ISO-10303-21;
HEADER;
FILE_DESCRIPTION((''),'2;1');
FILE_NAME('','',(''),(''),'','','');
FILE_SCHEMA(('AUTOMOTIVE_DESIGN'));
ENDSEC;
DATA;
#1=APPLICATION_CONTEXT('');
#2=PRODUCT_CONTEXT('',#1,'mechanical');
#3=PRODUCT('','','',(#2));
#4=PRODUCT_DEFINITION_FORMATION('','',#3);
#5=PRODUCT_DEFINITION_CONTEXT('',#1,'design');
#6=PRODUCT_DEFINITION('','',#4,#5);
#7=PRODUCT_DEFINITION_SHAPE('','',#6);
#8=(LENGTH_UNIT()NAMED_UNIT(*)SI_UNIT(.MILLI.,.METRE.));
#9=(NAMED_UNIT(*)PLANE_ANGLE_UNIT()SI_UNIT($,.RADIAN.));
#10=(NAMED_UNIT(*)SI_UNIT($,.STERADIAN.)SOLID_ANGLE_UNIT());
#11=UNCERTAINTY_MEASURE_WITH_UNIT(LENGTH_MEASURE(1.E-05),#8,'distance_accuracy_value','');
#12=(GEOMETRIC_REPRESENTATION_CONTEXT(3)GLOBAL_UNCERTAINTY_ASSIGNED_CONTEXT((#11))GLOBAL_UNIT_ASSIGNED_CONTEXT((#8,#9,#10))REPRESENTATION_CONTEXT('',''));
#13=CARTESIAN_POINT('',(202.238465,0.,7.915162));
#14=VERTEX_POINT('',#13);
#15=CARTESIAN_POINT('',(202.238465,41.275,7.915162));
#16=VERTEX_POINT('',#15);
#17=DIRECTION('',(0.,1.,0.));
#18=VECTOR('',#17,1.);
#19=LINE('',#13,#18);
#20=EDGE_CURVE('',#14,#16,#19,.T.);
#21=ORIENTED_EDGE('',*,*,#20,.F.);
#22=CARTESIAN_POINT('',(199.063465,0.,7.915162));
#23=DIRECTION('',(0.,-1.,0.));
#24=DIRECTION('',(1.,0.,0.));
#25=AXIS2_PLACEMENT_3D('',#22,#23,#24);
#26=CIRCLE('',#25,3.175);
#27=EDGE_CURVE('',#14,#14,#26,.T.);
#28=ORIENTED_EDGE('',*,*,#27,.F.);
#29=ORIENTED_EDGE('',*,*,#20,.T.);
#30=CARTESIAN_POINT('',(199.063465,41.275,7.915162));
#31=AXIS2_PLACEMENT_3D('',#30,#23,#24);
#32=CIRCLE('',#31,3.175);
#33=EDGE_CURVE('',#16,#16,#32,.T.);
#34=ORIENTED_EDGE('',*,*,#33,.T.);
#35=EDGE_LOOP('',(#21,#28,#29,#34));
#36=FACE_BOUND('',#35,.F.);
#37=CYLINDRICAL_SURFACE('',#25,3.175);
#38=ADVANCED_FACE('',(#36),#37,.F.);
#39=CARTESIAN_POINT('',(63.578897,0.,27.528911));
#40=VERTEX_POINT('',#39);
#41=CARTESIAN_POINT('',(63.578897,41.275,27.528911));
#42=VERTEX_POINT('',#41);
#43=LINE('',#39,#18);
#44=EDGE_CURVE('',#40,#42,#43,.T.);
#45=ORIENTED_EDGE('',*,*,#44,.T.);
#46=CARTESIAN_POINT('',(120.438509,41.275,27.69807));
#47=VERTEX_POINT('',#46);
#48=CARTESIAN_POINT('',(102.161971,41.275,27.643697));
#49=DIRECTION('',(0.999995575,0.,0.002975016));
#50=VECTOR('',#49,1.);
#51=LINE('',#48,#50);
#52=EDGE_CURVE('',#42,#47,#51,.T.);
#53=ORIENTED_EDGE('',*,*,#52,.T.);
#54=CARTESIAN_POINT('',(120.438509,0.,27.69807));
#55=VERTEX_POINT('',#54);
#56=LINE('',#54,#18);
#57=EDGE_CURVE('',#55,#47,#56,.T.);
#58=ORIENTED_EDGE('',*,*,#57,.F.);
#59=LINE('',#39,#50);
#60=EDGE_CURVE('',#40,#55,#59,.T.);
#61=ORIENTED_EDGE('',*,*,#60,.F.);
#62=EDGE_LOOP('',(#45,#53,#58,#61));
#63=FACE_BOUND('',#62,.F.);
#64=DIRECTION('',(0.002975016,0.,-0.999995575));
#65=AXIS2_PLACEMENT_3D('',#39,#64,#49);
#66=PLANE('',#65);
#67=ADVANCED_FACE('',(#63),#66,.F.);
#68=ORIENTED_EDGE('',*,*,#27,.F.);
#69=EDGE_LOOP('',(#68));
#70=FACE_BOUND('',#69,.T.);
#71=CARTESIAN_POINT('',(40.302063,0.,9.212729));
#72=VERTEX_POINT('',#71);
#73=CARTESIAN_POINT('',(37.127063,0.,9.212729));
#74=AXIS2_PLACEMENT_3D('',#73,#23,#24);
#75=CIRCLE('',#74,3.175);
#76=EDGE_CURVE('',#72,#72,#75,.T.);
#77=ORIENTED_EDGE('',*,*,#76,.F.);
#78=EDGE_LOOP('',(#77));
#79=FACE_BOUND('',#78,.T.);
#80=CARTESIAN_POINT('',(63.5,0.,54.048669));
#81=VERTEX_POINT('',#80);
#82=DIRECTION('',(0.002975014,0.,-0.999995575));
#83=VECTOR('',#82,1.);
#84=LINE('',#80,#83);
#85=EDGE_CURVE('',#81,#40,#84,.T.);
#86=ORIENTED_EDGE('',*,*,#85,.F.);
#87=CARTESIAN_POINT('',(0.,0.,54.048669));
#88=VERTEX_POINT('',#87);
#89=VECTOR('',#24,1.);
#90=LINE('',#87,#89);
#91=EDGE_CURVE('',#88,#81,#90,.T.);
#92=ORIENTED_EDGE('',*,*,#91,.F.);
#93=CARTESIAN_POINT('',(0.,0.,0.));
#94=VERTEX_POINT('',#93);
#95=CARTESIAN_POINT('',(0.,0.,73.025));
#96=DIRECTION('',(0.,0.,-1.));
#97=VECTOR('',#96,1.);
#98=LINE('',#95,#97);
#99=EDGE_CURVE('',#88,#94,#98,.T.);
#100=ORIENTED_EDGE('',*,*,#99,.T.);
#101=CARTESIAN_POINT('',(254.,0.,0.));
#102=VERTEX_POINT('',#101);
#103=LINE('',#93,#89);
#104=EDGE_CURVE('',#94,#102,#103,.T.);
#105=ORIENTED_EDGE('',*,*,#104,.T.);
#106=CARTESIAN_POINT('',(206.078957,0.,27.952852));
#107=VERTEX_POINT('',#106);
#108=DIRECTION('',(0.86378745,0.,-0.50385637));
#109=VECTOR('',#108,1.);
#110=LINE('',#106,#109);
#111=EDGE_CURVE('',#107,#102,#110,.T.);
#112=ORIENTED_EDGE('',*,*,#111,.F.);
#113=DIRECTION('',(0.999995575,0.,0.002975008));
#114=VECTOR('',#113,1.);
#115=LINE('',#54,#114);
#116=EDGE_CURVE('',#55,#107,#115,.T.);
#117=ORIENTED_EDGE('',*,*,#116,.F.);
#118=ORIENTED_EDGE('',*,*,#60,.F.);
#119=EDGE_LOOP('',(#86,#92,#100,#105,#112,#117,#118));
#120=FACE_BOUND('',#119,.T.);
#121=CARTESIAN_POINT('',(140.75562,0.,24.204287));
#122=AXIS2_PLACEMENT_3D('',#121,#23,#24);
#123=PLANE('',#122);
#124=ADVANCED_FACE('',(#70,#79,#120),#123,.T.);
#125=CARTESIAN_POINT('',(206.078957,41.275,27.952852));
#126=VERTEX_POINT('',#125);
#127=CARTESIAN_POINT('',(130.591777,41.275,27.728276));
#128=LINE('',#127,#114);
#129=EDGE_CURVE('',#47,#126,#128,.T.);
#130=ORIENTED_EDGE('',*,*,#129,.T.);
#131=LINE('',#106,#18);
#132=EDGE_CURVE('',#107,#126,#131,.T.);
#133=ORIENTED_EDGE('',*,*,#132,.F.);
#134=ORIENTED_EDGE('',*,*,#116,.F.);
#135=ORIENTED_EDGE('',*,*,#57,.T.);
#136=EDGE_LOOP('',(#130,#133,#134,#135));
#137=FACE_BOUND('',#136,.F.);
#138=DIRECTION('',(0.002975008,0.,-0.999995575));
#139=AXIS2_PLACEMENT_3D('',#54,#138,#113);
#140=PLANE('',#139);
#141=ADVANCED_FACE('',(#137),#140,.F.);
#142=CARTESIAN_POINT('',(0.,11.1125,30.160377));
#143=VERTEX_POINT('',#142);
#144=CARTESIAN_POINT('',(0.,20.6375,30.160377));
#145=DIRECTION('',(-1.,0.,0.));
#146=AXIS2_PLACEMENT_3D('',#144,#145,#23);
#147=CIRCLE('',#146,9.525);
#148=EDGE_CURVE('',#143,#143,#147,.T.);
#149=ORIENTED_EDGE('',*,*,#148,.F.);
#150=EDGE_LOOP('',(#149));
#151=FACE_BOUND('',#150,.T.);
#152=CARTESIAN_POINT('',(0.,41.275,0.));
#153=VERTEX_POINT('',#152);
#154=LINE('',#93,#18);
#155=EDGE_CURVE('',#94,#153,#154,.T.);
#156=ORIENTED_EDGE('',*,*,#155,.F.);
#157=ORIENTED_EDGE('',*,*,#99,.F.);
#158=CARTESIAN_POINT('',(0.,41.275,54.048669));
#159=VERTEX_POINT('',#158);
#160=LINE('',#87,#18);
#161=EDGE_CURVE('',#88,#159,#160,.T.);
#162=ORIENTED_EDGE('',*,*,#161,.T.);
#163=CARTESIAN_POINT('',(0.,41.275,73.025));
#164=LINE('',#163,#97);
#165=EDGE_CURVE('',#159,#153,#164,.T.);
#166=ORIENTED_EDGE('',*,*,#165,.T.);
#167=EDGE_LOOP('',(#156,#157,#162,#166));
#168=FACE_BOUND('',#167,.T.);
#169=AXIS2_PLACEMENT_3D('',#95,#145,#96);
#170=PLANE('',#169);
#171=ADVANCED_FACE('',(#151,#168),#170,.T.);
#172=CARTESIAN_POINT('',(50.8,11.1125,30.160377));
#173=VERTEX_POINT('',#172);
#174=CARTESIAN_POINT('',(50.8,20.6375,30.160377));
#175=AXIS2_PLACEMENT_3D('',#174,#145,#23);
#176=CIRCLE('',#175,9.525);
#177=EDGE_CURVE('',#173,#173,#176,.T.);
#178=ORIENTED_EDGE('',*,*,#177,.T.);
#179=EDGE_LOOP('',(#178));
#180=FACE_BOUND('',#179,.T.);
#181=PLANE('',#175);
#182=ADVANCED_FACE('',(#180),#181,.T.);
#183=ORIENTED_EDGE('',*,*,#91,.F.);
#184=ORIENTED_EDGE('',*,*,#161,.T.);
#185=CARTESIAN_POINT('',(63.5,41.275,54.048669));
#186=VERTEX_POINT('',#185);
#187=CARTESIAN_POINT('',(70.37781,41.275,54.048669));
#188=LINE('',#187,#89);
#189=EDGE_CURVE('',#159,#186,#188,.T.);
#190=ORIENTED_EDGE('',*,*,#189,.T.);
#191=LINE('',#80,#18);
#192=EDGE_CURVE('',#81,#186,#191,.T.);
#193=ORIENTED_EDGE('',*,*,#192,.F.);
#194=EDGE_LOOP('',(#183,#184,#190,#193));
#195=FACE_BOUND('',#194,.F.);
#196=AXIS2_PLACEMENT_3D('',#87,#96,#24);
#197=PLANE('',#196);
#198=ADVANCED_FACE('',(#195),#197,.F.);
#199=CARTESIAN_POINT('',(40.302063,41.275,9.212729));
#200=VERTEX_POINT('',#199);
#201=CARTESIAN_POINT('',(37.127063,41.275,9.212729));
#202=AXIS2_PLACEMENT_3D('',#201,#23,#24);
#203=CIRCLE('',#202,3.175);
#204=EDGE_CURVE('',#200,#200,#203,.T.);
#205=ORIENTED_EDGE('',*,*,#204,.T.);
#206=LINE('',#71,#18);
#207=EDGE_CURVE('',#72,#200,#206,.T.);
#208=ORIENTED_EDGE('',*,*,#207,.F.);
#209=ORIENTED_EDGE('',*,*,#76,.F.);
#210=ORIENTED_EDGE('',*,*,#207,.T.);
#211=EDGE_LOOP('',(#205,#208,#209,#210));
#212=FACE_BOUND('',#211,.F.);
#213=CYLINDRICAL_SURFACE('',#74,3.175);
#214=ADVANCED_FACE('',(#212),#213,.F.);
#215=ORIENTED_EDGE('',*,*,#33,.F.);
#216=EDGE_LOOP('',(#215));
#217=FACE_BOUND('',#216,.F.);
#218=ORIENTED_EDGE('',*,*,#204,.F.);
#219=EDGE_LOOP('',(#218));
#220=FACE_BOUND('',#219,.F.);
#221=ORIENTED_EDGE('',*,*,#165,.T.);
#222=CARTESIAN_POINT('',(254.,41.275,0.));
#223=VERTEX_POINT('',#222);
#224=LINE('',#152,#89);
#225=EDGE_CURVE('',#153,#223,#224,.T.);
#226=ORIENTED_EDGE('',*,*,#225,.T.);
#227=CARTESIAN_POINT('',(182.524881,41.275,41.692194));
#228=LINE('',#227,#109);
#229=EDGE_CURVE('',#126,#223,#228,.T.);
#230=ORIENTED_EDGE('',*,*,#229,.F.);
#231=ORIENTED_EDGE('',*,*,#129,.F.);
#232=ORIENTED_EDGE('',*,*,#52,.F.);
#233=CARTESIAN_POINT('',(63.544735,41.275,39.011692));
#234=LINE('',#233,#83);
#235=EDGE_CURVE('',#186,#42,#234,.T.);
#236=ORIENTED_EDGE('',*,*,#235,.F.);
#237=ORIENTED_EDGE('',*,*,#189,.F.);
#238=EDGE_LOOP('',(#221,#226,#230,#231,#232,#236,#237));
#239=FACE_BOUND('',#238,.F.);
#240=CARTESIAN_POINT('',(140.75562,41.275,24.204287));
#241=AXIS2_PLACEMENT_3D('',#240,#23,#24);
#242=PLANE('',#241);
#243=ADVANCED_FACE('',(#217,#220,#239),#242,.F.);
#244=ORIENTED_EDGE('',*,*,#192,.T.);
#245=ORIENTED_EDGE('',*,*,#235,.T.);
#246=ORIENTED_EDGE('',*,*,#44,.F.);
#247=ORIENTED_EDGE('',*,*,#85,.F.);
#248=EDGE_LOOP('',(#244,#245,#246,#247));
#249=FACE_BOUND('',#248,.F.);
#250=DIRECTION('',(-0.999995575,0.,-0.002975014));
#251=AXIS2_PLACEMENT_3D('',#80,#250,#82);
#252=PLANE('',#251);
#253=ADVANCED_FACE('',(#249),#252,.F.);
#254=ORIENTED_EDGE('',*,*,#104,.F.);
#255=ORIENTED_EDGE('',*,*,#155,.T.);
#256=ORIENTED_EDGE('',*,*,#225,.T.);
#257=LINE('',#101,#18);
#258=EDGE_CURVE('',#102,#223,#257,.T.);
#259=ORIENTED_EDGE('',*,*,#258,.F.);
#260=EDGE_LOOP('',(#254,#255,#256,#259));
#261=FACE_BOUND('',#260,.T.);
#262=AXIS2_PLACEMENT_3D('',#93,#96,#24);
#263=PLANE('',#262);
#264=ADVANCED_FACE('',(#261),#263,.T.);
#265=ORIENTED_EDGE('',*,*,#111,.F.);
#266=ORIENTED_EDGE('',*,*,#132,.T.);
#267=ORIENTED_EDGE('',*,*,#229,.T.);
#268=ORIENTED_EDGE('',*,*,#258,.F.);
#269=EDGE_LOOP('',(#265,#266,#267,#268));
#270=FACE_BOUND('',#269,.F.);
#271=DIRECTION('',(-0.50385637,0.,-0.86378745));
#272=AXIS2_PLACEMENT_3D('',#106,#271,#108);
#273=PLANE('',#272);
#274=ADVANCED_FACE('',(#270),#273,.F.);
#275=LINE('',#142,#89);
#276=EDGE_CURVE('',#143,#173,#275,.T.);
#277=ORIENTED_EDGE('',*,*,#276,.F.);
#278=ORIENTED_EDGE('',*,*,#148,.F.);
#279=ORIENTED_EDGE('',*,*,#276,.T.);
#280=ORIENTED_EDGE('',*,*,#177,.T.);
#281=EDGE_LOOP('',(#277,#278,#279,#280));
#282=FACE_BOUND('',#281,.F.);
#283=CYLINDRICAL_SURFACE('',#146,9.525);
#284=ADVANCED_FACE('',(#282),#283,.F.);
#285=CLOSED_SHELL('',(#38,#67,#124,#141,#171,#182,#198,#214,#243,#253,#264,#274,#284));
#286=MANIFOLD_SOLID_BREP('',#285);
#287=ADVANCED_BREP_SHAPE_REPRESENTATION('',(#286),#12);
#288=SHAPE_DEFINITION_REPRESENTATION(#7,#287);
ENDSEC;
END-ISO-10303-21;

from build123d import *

# Parameters (mm, degrees)
F1_DEPTH  = 41.275
F2_R      = 9.525
F3_DEPTH  = 50.8
F5_DEPTH  = 50.8
F7_DEPTH  = 50.8
F9_DEPTH  = 50.8
F10_R     = 3.175
F10_R_2   = 3.361139
F11_DEPTH = 228.6
F12_DEPTH = 228.6


with BuildPart() as f1:
    # F0 (on Front) → F1 (new body)
    with BuildSketch(Plane.XZ):
        Polygon((304.8, 19.05), (0, 73.025), (0, 0), (304.8, 0), align=None)
    extrude(amount=-F1_DEPTH)

    # F2 (on face) → F3 (cut)
    with BuildSketch(Plane(origin=(0, 0, 0), x_dir=(0, -1, 0), z_dir=(-1, 0, 0))):
        with Locations((-20.6375, 30.160377)):
            Circle(F2_R)
    extrude(amount=-F3_DEPTH, mode=Mode.SUBTRACT)

    # F4 (on face) → F5 (cut)
    with BuildSketch(Plane.XZ):
        Polygon((0, 73.025), (0, 54.048669), (107.16046, 54.048669), align=None)
        Polygon((253.724616, 28.094599), (107.16046, 54.048669), (120.438509, 27.69807), align=None)
        Polygon((304.8, 19.05), (253.724616, 28.094599), (304.8, 0), align=None)
    extrude(amount=-F5_DEPTH, mode=Mode.SUBTRACT)

    # F6 (on face) → F7 (cut)
    with BuildSketch(Plane.XZ):
        Polygon((63.578897, 27.528911), (120.438509, 27.69807), (107.16046, 54.048669), (63.5, 54.048669), align=None)
    extrude(amount=-F7_DEPTH, mode=Mode.SUBTRACT)

    # F8 (on face) → F9 (cut)
    with BuildSketch(Plane.XZ):
        Polygon((254, 0), (304.8, 0), (253.724616, 28.094599), (206.078957, 27.952852), align=None)
    extrude(amount=-F9_DEPTH, mode=Mode.SUBTRACT)

    # F10 (on face) → F11 (cut)
    with BuildSketch(Plane.XZ):
        with Locations((37.127063, 9.212729)):
            Circle(F10_R)
        with Locations((289.942942, 6.520301)):
            Circle(F10_R_2)
    extrude(amount=-F11_DEPTH, mode=Mode.SUBTRACT)

    # F10 (on face) → F12 (cut)
    with BuildSketch(Plane.XZ):
        with Locations((37.127063, 9.212729)):
            Circle(F10_R)
        with Locations((289.942942, 6.520301)):
            Circle(F10_R_2)
        with Locations((199.063465, 7.915162)):
            Circle(F10_R)
    extrude(amount=-F12_DEPTH, mode=Mode.SUBTRACT)


solid = f1.part
